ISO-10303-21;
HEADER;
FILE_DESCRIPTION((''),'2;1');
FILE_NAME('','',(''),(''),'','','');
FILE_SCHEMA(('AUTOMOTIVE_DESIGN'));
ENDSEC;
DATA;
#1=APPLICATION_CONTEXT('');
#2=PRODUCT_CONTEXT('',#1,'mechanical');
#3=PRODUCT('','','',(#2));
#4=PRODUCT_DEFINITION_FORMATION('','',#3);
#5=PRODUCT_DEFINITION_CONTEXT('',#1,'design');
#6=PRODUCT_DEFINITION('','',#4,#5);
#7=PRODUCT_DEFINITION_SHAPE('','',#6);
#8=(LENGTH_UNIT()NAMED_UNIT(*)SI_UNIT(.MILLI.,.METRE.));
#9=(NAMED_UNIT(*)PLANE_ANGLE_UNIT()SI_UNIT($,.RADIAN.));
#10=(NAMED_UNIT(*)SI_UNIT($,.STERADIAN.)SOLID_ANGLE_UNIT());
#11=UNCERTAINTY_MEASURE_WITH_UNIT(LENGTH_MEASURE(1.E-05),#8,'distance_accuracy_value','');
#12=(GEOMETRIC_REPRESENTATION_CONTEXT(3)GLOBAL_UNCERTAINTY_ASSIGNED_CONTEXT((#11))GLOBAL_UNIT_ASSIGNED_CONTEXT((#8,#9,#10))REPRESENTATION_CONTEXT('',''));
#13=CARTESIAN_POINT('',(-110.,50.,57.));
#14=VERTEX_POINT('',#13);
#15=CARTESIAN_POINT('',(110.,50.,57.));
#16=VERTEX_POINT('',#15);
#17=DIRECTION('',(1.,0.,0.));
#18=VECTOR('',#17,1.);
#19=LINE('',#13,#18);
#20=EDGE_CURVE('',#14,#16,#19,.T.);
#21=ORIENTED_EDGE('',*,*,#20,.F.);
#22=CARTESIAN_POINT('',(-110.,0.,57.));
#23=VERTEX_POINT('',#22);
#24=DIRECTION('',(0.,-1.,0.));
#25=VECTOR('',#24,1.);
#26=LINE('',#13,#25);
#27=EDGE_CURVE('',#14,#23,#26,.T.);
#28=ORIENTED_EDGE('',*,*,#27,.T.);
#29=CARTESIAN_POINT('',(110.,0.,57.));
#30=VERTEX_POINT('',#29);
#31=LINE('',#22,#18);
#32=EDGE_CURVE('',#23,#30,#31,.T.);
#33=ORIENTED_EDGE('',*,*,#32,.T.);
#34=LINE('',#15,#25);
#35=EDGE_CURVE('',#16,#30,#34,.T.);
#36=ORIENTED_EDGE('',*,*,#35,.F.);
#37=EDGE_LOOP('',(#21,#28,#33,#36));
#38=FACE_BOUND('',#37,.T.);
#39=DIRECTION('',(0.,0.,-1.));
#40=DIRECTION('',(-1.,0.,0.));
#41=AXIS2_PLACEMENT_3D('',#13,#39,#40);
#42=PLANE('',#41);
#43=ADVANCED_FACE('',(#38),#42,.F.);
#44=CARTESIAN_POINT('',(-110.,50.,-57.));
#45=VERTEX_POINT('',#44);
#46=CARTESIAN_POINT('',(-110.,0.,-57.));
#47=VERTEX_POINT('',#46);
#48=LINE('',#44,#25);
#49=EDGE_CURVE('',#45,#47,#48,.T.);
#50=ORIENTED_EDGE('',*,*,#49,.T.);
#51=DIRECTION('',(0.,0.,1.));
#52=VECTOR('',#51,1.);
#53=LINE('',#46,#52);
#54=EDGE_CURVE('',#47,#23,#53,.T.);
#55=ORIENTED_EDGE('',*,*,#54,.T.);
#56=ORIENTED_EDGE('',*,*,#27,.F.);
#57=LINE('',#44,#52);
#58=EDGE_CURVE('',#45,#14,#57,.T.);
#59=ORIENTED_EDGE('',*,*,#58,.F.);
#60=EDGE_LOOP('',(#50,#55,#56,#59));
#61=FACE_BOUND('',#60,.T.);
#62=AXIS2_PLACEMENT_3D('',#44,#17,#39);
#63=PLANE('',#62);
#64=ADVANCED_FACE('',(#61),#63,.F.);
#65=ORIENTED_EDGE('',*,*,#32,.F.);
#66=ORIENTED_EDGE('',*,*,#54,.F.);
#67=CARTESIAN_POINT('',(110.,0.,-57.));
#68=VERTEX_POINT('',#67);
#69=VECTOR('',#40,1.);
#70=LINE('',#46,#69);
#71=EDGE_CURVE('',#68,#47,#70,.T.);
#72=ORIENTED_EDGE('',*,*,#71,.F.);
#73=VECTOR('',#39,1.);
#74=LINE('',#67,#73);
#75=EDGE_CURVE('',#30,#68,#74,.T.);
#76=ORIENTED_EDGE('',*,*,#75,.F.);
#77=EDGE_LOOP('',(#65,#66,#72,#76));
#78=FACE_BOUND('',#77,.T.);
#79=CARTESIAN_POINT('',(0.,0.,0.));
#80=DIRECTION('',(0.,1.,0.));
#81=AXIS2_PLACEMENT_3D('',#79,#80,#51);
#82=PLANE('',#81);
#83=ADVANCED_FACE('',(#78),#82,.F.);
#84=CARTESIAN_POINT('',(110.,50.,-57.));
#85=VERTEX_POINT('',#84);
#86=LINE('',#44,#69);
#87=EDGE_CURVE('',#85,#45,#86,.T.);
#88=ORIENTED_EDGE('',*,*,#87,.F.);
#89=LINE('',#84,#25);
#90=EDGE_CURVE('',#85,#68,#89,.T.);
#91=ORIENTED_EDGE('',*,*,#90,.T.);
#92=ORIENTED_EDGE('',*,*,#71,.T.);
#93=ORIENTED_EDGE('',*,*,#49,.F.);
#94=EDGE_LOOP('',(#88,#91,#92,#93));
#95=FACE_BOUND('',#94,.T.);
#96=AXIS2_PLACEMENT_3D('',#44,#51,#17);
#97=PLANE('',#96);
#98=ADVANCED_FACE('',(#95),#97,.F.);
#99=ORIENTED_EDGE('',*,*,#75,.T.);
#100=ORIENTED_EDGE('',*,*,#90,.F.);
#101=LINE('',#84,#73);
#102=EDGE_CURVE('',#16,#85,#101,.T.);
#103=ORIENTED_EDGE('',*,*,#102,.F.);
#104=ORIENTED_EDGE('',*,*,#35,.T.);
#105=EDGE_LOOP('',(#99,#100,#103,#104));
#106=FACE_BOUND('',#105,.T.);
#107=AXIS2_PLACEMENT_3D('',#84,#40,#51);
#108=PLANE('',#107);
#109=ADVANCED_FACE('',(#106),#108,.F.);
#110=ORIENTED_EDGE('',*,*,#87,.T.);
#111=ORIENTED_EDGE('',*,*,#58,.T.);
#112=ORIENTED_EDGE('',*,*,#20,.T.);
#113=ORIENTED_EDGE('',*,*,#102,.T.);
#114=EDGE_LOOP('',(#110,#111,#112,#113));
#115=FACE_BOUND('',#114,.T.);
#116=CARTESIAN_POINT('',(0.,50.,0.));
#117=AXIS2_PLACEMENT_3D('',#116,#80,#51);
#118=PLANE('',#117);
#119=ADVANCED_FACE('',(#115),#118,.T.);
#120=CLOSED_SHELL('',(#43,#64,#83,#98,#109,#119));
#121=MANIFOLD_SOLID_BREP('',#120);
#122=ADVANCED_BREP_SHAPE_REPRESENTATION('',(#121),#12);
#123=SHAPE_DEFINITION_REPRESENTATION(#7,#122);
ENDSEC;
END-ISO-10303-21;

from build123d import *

# Parameters (mm, degrees)
SKETCH1_W           = 220
SKETCH1_H           = 114
BOSS_EXTRUDE1_DEPTH = 50


with BuildPart() as part:
    # Sketch1 → Boss-Extrude1 (new body)
    with BuildSketch(Plane(origin=(0, 0, 0), x_dir=(1, 0, 0), z_dir=(0, 1, 0))):
        Rectangle(SKETCH1_W, SKETCH1_H)
    extrude(amount=BOSS_EXTRUDE1_DEPTH)


solid = part.part
